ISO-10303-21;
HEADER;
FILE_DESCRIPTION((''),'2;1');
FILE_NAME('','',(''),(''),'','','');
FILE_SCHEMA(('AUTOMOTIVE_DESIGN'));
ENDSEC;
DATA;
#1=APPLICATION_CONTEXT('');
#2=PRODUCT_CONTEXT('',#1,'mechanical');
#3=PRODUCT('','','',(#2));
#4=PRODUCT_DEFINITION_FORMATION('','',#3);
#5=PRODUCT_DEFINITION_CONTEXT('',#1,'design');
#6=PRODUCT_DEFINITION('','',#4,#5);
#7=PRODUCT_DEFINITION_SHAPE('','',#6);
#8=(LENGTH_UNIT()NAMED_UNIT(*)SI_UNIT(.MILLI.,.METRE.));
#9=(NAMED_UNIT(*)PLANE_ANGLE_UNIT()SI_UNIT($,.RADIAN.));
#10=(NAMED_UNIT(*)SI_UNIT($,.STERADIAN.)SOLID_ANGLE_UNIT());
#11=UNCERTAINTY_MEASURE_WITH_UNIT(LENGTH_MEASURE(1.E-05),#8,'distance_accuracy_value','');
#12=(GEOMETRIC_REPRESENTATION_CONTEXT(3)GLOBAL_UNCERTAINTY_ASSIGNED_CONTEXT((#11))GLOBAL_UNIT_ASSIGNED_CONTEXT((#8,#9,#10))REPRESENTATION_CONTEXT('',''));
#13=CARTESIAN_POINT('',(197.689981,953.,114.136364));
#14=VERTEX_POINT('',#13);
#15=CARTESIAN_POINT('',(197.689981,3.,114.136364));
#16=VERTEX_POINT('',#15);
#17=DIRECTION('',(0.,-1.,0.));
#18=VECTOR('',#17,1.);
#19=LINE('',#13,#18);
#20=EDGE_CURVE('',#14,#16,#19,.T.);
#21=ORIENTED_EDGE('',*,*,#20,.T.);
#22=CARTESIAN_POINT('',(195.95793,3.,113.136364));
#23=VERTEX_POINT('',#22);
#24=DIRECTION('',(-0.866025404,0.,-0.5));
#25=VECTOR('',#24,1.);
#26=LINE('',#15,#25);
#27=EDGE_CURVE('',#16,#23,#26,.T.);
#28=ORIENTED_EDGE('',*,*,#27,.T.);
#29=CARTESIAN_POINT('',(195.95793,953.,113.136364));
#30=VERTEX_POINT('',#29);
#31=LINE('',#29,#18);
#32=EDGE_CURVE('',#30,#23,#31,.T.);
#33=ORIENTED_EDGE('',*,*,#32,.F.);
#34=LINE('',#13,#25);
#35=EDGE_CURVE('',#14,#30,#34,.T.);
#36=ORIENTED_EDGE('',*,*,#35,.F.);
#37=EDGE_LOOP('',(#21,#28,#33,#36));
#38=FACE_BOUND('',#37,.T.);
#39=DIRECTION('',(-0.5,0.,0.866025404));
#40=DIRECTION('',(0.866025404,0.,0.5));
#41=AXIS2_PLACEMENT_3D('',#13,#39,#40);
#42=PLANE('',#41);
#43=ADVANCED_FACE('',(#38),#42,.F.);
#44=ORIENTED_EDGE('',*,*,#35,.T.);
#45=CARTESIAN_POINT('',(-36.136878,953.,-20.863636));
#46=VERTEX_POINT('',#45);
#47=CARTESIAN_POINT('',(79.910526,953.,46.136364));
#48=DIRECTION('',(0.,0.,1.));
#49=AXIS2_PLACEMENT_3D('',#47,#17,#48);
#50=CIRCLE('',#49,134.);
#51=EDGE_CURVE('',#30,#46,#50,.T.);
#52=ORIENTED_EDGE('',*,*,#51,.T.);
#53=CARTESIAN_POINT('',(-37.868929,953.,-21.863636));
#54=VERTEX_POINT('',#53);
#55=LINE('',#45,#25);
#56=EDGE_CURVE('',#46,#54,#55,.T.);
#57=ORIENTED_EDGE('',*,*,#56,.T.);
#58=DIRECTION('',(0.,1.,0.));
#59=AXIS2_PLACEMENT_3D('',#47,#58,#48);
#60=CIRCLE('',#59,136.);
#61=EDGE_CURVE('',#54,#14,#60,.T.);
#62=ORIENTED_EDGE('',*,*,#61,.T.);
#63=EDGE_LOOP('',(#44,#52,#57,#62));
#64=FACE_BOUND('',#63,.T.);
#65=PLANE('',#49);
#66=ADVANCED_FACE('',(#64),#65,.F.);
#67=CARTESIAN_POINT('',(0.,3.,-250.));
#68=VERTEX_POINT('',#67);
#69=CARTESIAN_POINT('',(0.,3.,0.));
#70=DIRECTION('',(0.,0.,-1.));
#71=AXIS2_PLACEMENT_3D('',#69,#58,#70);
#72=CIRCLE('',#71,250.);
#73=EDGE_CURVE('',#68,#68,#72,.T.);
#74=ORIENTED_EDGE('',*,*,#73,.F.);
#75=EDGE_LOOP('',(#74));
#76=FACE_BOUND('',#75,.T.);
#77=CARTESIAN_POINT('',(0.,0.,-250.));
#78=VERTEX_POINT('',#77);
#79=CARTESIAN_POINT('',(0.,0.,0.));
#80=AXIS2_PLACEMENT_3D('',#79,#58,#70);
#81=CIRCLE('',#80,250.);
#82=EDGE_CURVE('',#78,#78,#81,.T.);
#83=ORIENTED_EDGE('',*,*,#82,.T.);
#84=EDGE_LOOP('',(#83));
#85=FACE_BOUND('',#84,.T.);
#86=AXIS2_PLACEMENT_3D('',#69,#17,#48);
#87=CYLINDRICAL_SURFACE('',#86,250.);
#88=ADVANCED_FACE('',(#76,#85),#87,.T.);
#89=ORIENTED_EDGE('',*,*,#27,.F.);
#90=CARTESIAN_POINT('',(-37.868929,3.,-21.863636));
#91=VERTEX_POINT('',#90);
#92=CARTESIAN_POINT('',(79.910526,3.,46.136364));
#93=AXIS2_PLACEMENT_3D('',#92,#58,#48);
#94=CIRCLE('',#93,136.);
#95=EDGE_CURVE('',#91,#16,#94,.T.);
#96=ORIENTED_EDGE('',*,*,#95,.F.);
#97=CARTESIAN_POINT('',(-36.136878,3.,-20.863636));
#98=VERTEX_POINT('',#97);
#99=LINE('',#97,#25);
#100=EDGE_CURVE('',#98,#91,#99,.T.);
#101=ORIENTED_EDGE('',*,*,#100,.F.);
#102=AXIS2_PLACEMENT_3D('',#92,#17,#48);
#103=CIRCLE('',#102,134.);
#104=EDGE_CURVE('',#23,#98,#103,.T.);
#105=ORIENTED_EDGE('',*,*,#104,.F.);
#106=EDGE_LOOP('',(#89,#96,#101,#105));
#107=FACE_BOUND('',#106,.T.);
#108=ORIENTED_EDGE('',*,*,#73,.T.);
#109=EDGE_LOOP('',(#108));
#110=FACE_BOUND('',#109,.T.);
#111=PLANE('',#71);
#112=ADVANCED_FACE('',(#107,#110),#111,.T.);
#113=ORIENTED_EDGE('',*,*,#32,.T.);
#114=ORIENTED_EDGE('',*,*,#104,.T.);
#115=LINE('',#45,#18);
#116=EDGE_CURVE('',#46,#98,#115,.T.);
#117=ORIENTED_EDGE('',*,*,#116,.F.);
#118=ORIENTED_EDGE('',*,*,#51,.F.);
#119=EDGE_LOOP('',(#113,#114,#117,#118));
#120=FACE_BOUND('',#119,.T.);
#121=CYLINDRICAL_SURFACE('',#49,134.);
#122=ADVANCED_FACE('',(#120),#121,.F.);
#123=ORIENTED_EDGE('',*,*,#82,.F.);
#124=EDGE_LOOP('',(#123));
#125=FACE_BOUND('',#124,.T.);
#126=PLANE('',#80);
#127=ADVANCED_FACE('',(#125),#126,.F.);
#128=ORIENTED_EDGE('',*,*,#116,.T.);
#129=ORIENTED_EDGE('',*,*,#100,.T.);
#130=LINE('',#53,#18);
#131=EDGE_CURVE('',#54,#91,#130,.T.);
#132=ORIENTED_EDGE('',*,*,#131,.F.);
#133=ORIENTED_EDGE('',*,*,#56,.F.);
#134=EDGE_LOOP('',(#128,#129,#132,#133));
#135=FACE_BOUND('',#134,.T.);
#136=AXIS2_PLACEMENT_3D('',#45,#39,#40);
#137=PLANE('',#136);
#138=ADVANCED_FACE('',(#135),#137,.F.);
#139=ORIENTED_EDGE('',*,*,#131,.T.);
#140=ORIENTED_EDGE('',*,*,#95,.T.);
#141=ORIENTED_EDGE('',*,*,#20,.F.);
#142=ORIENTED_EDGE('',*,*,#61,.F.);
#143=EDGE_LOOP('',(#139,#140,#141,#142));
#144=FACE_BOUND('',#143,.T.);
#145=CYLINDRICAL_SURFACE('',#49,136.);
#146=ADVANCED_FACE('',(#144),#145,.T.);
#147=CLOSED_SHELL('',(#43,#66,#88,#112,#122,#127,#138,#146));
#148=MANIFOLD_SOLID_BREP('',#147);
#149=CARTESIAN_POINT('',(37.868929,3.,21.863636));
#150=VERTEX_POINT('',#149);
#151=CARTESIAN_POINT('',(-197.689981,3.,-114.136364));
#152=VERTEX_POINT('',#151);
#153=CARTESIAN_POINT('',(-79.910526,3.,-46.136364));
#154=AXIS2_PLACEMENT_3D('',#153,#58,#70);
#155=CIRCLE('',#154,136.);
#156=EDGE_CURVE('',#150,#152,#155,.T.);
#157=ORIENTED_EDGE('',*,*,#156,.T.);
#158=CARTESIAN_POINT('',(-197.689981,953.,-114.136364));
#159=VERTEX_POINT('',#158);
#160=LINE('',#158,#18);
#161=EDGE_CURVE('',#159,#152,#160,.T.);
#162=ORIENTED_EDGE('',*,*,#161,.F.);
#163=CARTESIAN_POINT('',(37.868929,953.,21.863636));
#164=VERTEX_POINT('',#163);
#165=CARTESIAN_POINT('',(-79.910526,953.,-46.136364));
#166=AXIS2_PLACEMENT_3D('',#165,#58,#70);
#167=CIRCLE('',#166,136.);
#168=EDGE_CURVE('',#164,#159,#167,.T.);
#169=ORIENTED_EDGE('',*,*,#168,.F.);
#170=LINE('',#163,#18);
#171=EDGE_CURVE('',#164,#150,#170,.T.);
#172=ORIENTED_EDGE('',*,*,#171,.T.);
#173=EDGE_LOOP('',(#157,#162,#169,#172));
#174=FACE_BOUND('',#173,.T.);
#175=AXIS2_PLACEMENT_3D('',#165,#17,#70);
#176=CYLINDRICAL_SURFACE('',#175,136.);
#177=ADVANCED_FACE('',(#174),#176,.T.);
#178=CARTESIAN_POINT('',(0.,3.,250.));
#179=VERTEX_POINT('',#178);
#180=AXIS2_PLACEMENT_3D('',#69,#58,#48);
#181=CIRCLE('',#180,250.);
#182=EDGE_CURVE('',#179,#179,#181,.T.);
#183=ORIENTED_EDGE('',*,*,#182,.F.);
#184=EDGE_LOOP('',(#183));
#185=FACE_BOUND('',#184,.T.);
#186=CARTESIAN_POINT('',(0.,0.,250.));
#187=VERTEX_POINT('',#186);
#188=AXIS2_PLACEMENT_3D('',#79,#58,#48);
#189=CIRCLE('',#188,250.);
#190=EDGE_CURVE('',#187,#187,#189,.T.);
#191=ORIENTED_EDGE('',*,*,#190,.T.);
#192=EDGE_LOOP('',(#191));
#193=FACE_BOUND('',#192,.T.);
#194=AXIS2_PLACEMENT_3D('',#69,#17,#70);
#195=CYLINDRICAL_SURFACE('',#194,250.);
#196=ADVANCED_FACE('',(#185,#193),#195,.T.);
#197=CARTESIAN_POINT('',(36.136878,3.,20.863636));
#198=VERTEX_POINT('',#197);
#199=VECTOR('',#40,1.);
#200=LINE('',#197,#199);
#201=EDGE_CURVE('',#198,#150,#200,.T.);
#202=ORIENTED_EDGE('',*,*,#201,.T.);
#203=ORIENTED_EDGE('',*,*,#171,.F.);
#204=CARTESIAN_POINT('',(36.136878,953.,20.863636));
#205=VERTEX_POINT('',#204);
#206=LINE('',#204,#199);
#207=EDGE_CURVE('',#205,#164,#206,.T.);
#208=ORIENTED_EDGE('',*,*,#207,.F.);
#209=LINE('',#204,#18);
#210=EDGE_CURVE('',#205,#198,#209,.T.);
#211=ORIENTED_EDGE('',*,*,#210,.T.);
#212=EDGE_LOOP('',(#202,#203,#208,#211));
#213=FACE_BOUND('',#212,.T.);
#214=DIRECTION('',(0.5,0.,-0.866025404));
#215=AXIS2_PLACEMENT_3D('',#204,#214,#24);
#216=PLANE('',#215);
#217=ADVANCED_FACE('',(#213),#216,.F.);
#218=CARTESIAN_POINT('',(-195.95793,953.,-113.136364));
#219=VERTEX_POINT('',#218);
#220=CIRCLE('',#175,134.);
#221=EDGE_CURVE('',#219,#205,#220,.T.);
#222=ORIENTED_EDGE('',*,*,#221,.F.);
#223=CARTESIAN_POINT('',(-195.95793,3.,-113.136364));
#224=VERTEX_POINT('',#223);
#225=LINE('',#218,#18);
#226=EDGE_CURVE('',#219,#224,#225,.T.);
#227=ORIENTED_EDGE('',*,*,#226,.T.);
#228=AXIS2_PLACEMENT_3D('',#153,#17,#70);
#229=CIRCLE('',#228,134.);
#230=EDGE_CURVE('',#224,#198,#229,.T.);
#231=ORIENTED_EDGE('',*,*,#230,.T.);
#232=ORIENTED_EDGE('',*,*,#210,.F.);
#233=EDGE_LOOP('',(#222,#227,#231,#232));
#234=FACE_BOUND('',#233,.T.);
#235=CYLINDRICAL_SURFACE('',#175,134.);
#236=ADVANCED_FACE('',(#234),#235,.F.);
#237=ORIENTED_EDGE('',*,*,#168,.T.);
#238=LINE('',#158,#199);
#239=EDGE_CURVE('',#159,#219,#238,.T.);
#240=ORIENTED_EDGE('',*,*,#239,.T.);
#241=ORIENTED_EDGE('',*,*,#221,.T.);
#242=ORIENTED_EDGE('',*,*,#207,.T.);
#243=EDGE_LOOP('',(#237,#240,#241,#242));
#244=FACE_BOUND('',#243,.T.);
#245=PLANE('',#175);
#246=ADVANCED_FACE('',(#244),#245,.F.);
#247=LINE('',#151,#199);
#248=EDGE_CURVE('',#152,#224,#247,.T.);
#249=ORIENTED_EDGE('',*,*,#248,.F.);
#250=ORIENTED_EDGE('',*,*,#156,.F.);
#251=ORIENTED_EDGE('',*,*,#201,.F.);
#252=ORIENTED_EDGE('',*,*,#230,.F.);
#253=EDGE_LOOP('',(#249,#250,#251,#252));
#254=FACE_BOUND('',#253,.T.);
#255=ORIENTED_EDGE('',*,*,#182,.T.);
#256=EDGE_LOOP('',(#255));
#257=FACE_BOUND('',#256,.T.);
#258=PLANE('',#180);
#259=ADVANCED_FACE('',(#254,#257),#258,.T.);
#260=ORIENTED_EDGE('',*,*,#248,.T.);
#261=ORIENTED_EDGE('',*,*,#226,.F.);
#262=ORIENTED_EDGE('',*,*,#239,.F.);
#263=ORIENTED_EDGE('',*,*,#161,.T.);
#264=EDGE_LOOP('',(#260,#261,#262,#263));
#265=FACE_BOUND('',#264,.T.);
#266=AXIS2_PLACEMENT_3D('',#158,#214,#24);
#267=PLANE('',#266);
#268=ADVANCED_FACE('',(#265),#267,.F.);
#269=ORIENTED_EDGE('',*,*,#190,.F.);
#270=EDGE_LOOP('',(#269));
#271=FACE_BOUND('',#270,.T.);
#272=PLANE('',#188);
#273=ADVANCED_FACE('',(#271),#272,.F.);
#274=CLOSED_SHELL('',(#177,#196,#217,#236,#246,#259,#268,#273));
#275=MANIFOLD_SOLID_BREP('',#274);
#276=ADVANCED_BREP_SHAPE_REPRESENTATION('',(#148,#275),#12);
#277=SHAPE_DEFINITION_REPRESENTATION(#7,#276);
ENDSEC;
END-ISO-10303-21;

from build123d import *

# Parameters (mm, degrees)
CROQUIS1_R              = 250
SALIENTE_EXTRUIR1_DEPTH = 3
SALIENTE_EXTRUIR2_DEPTH = 950
MATRIZC1_COUNT          = 2


with BuildPart() as part:
    # Croquis1 → Saliente-Extruir1 (new body)
    with BuildSketch(Plane(origin=(0, 0, 0), x_dir=(1, 0, 0), z_dir=(0, 1, 0))):
        with Locations(Location((0, 0, 0), (0, 0, 270))):
            Circle(CROQUIS1_R)
    extrude(amount=SALIENTE_EXTRUIR1_DEPTH)

    # Croquis2 → Saliente-Extruir2 (add)
    with BuildSketch(Plane(origin=(0, 3, 0), x_dir=(1, 0, 0), z_dir=(0, 1, 0))):
        with BuildLine():
            Line((-197.689980809, 114.136363636), (-195.957930002, 113.136363636))
            ThreePointArc((-195.957930002, 113.136363636), (-12.910525895, 162.183767743), (36.136878212, -20.863636364))
            Line((36.136878212, -20.863636364), (37.86892902, -21.863636364))
            ThreePointArc((37.86892902, -21.863636364), (-11.910525895, 163.915818551), (-197.689980809, 114.136363636))
        make_face()
    extrude(amount=SALIENTE_EXTRUIR2_DEPTH)


with BuildPart() as matrizc1_1:
    # MatrizC1: pattern copy
    add(part.part.rotate(Axis((0, 0, 0), (0, 1, 0)), 1 * 360 / MATRIZC1_COUNT))


solid = Compound([part.part, matrizc1_1.part])
